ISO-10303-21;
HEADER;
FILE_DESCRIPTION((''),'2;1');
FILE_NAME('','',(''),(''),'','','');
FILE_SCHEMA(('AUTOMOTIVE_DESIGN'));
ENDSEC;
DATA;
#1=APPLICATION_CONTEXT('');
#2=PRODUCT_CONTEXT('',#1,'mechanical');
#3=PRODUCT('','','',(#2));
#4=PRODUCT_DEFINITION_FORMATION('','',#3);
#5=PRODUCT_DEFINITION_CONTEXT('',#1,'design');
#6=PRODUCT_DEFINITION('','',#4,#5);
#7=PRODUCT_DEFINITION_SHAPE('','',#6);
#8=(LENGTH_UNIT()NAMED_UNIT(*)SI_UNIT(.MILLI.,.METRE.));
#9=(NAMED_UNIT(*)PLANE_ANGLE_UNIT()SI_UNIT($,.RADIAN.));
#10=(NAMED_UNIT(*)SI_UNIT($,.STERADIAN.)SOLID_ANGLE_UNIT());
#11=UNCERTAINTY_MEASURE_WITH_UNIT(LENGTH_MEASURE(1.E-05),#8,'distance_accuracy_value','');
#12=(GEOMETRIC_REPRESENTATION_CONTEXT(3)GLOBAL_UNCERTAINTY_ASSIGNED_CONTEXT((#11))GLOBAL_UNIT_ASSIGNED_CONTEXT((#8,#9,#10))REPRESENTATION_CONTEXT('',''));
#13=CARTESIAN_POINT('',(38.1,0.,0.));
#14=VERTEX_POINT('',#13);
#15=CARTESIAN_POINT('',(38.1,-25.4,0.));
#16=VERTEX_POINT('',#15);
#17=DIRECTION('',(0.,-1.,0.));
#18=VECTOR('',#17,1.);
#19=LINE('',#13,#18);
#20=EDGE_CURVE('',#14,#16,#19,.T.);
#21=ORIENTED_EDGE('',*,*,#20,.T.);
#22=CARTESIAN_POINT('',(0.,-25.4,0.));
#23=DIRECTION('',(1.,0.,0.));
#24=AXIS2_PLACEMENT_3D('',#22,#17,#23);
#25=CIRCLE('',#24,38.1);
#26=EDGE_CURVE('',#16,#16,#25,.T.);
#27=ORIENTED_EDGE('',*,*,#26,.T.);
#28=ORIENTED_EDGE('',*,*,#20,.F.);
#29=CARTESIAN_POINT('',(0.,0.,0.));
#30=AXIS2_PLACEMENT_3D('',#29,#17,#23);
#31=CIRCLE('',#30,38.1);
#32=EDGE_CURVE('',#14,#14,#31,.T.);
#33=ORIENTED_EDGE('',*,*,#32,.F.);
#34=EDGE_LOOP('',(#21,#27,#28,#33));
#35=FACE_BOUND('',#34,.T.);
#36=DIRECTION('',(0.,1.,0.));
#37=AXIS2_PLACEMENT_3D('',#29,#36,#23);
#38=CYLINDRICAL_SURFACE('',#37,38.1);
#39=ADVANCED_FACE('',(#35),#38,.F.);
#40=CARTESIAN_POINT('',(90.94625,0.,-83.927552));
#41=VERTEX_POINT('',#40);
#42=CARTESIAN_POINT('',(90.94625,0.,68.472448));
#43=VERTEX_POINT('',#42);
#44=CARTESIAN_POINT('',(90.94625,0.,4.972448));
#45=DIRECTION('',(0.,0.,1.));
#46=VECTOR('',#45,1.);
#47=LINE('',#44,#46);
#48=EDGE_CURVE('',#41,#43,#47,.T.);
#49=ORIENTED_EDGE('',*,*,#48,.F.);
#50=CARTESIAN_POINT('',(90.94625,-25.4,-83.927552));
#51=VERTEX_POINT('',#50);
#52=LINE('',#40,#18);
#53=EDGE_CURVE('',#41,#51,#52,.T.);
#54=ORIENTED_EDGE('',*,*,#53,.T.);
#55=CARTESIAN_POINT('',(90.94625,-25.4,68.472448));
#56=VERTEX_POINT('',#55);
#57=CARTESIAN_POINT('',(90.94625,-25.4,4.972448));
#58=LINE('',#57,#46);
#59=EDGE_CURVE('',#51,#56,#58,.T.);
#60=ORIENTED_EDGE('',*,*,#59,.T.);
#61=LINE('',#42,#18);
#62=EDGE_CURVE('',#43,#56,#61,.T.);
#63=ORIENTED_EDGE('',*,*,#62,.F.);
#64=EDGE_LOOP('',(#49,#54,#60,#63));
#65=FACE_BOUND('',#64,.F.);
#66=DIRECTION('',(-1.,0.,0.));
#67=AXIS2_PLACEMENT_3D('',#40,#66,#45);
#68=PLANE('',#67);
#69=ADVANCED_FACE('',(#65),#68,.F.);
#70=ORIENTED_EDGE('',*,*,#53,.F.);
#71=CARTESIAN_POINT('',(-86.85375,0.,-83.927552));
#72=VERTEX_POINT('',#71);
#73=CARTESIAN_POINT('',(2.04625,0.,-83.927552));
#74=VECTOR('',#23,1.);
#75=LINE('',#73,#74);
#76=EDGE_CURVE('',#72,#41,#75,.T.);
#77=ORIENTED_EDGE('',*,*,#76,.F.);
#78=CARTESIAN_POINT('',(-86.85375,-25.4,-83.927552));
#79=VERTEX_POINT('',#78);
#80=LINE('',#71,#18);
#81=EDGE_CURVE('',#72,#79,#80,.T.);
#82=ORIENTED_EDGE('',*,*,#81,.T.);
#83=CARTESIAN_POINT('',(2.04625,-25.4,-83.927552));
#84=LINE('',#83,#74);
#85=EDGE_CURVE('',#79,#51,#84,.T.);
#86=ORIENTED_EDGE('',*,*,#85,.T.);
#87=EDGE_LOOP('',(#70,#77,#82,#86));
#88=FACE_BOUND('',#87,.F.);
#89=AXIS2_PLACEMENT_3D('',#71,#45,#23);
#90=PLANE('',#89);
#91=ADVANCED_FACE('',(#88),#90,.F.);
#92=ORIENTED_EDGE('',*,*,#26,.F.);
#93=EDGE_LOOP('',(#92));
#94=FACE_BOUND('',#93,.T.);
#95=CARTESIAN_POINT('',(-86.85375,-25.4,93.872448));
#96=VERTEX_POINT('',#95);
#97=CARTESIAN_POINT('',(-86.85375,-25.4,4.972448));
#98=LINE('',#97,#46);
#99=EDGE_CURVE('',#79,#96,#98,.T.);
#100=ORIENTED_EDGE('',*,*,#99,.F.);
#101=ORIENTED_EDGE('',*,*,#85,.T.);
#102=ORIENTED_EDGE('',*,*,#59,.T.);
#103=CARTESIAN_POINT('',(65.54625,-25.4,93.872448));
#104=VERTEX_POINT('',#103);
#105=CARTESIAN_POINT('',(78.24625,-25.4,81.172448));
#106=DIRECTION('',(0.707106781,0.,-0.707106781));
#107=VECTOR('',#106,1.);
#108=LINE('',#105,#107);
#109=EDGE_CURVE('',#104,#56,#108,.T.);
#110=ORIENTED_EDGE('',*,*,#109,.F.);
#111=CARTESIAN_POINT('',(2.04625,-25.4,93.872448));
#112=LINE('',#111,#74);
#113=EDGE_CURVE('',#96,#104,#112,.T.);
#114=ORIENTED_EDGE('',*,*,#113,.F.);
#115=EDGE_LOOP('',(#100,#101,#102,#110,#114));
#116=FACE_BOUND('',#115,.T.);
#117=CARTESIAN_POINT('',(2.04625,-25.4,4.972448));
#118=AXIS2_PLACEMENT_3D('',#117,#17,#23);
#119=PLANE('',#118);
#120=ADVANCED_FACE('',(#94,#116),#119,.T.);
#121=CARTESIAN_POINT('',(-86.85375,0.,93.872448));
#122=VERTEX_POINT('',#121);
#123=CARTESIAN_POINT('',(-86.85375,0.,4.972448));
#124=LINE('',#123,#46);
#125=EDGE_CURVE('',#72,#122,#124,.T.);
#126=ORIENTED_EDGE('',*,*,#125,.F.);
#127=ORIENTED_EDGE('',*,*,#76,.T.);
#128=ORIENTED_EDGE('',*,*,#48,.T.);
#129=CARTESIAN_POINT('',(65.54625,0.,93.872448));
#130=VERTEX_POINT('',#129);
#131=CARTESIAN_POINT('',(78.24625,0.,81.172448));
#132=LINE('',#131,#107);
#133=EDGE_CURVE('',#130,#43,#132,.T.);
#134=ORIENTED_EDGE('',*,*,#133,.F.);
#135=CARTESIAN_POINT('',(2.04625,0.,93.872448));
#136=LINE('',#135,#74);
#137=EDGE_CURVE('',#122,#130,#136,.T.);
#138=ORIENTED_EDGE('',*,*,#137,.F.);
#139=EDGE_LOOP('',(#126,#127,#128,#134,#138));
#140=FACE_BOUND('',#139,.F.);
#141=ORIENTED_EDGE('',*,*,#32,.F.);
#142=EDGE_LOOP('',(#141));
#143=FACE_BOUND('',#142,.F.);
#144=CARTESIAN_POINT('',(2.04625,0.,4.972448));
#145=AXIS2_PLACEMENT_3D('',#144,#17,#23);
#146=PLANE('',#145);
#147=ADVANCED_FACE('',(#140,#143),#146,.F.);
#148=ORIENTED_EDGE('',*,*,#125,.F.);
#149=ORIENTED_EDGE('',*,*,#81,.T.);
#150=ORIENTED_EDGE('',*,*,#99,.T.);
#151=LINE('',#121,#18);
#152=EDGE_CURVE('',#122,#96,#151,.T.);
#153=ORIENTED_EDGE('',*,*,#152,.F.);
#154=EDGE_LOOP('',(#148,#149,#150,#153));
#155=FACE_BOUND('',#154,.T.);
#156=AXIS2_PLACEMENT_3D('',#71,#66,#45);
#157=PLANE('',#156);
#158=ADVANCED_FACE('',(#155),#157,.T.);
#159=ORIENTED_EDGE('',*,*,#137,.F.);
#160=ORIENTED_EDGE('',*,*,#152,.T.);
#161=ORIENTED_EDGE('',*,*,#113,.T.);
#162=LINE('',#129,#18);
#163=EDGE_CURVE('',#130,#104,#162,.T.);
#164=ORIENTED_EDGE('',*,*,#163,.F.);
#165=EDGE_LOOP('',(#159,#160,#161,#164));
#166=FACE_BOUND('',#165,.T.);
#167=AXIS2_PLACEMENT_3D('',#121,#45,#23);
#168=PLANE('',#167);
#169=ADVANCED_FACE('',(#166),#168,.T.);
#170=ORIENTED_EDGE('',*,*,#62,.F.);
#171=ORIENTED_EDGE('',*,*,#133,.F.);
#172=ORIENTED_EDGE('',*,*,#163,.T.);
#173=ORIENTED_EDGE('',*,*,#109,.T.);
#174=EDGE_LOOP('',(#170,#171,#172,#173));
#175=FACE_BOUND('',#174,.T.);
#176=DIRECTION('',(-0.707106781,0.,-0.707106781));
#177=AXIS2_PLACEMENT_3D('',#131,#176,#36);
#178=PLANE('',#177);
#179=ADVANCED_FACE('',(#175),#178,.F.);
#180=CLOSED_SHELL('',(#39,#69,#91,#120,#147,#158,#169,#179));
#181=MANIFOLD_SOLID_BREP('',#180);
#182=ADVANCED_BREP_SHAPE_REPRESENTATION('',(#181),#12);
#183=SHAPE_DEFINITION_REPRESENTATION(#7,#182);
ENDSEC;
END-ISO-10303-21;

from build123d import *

# Parameters (mm, degrees)
F0_W     = 177.8
F0_H     = 177.8
F0_R     = 38.1
F1_DEPTH = 25.4
F2_SIZE  = 25.4


with BuildPart() as f1:
    # F0 (on Front) → F1 (new body)
    with BuildSketch(Plane.XZ):
        with Locations((2.04625, 4.972448)):
            Rectangle(F0_W, F0_H)
        Circle(F0_R, mode=Mode.SUBTRACT)
    extrude(amount=F1_DEPTH)

    # F2
    f2_edges = [f1.edges().sort_by_distance(p)[0] for p in [
        (90.94625, -12.7, 93.872448),
    ]]
    chamfer(f2_edges, length=F2_SIZE)


solid = f1.part
